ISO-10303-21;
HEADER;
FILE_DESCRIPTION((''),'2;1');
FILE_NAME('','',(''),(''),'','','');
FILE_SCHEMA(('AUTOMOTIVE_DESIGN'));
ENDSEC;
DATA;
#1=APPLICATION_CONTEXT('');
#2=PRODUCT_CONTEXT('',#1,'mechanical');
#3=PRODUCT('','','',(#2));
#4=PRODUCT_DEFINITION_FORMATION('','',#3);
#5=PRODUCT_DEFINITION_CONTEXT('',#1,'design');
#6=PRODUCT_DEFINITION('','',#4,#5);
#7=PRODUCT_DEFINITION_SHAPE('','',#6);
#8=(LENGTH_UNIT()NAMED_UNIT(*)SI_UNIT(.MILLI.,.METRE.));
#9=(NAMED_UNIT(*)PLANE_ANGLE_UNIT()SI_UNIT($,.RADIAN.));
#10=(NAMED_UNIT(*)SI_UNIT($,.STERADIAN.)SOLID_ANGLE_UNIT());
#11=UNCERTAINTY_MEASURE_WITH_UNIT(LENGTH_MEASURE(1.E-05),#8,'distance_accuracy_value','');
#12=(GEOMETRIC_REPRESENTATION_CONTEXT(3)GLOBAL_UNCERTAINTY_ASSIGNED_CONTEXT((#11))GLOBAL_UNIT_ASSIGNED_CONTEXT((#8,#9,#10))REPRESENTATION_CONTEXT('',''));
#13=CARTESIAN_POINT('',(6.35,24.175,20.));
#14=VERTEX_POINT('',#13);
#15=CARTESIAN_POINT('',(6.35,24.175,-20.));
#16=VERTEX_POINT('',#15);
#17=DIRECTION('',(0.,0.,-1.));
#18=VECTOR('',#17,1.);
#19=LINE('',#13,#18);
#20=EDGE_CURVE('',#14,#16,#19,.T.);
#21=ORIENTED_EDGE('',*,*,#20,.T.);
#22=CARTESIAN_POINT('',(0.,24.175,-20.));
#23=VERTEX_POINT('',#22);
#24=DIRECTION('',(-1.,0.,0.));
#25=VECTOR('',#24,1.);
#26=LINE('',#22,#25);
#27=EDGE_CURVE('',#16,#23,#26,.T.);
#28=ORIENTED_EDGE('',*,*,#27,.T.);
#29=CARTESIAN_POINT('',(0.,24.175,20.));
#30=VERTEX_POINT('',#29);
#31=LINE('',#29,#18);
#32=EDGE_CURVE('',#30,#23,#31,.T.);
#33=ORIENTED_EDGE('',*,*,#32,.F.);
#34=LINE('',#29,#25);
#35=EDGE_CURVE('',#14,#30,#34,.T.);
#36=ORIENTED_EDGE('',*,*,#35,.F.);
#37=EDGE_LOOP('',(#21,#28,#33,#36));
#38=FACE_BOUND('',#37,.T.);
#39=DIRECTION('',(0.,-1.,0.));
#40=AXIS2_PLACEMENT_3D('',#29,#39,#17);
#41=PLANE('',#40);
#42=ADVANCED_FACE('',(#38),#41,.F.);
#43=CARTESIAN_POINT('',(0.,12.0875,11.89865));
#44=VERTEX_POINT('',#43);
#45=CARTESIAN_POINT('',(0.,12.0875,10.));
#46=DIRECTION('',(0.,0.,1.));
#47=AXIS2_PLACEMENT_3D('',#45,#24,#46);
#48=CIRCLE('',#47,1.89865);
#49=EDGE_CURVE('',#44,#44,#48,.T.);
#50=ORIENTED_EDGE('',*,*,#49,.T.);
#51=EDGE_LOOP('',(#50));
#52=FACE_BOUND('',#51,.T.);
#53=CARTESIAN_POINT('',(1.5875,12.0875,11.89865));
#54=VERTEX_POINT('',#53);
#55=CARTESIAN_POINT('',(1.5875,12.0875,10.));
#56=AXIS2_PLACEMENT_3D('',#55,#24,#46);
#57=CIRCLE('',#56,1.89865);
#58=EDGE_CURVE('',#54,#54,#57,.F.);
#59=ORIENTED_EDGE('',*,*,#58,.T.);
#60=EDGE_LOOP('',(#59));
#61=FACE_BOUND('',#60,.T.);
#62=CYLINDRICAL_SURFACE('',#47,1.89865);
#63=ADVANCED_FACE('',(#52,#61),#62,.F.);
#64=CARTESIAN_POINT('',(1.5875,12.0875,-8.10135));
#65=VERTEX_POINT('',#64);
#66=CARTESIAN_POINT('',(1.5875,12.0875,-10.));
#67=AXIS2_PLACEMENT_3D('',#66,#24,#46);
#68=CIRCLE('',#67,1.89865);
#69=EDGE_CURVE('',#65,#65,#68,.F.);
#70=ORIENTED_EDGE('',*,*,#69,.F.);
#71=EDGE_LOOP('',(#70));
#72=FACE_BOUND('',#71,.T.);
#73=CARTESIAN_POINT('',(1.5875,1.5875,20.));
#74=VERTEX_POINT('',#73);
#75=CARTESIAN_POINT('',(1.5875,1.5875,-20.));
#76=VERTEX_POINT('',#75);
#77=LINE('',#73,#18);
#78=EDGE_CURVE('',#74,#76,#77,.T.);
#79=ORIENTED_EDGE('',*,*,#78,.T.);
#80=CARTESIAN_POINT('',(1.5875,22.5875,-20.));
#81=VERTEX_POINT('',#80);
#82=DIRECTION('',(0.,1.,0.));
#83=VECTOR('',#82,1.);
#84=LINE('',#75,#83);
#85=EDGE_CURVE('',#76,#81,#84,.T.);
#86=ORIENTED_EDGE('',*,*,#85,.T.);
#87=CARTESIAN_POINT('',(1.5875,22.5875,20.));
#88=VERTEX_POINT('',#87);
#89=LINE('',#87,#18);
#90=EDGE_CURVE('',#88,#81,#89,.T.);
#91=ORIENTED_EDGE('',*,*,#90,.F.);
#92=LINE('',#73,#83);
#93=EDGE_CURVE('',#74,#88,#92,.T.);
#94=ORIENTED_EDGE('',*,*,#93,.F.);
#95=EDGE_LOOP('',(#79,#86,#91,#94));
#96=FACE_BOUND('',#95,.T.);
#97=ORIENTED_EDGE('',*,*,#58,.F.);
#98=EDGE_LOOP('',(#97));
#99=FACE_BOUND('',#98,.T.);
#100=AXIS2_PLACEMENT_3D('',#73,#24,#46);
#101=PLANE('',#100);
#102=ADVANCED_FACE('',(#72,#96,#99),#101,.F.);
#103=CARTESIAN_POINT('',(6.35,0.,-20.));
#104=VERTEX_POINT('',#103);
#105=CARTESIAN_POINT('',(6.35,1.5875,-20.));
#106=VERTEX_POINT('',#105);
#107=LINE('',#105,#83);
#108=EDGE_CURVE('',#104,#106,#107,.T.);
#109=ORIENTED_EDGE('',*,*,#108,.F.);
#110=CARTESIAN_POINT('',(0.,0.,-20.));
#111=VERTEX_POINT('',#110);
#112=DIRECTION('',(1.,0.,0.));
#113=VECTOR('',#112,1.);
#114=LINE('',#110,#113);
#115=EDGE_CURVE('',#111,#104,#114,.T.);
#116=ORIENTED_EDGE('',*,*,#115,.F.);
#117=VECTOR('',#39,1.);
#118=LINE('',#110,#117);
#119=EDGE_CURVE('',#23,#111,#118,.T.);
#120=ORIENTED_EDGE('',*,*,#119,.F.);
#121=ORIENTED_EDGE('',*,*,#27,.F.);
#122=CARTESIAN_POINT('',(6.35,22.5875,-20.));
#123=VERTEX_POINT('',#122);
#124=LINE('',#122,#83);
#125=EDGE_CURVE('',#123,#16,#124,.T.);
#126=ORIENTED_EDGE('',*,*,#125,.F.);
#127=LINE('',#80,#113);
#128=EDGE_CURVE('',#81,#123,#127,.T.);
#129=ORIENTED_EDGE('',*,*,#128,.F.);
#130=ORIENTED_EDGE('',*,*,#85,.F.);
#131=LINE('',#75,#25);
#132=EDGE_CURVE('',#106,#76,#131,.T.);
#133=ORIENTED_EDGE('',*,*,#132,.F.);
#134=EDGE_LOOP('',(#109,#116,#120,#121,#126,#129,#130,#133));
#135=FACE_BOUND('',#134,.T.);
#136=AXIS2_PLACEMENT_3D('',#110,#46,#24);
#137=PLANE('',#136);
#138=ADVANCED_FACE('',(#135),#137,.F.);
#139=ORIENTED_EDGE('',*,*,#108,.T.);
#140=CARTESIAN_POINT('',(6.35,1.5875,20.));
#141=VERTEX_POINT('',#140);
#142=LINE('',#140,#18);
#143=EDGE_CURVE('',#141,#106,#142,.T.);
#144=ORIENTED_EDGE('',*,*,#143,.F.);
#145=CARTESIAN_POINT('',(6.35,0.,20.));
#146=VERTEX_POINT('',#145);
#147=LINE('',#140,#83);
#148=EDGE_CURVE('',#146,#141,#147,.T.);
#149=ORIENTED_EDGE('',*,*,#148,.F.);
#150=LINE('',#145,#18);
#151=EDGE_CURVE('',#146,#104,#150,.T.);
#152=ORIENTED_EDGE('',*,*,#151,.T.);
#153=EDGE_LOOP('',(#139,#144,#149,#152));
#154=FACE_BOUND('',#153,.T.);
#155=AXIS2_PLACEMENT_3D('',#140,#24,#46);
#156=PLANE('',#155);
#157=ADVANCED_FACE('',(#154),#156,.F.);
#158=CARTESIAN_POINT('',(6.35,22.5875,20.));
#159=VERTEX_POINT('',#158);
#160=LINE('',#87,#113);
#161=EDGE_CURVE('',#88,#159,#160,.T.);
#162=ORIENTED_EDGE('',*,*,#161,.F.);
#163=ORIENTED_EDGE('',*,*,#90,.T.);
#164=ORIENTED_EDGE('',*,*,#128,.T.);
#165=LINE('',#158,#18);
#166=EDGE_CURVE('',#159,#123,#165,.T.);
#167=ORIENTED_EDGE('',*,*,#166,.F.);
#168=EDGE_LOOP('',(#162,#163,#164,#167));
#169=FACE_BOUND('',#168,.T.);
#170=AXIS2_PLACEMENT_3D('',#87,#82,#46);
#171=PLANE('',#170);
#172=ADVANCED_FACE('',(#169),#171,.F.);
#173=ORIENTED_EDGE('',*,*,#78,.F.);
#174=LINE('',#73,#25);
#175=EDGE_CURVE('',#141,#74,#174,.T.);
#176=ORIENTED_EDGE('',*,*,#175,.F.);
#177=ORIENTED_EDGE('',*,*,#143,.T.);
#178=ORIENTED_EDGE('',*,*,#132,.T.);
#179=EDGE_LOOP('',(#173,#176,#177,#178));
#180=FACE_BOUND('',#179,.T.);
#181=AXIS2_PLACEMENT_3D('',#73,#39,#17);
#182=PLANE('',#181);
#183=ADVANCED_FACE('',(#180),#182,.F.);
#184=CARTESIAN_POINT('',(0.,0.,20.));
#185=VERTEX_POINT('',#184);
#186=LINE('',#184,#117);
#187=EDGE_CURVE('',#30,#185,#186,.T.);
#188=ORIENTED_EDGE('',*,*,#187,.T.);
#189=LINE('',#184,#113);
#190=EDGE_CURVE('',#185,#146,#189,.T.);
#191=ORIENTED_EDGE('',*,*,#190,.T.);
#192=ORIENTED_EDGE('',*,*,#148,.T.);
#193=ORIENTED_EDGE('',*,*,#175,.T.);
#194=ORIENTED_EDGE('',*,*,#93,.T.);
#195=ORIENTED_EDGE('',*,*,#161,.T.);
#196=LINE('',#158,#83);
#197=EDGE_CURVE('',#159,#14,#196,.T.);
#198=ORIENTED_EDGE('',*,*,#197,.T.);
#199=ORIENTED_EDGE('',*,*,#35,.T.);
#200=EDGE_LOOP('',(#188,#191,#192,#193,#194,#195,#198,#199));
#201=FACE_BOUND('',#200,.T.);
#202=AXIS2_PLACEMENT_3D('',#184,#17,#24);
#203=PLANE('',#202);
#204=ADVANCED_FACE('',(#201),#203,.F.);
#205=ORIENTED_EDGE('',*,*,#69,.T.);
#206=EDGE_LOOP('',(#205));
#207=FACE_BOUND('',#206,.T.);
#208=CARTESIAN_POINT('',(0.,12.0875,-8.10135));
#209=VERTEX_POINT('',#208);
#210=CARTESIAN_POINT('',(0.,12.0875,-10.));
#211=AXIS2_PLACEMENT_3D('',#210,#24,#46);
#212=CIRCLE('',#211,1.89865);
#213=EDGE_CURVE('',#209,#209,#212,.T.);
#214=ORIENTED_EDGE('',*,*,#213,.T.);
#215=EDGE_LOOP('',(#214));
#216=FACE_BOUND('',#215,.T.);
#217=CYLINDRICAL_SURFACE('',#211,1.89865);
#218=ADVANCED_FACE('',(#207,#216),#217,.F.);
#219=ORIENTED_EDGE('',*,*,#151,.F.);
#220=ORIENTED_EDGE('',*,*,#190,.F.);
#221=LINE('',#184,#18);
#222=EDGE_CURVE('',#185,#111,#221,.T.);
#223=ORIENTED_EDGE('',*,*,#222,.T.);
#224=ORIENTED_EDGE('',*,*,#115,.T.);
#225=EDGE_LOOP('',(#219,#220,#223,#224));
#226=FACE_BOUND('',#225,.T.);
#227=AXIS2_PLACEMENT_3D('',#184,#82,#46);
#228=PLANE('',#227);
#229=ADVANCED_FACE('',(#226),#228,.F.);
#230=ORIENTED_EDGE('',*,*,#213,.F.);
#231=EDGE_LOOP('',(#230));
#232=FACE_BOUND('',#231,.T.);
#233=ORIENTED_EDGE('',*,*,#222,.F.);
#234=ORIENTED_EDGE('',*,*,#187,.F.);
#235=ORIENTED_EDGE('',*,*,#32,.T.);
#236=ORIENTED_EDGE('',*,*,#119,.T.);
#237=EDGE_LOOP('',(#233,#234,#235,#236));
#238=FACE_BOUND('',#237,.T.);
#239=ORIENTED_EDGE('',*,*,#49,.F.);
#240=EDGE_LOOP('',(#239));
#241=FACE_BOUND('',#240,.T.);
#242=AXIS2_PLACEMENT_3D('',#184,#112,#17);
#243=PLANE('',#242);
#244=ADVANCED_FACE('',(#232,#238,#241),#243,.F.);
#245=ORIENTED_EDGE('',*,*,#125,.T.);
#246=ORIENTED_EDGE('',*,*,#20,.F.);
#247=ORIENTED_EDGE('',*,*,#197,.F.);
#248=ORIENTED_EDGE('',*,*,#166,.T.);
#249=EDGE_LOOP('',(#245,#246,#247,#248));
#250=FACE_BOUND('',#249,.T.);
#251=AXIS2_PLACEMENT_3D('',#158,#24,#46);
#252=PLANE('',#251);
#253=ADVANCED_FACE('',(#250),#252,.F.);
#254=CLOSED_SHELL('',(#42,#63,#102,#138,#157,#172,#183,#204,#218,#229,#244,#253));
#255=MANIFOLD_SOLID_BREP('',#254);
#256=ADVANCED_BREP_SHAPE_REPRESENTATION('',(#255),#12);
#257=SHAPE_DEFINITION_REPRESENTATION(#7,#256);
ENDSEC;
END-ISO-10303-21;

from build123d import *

# Parameters (mm, degrees)
BOSS_EXTRUDE1_DEPTH   = 20
F_6_CLEARANCE_HOLE1_D = 3.7973


with BuildPart() as part:
    # Sketch1 → Boss-Extrude1 (new body)
    with BuildSketch(Plane.XY):
        Polygon((0, 0), (6.35, 0), (6.35, 1.5875), (1.5875, 1.5875), (1.5875, 22.5875), (6.35, 22.5875), (6.35, 24.175), (0, 24.175), align=None)
    boss_extrude1 = extrude(amount=BOSS_EXTRUDE1_DEPTH)

    # #6 Clearance Hole1 (through all)
    with Locations(Plane.ZY):
        with Locations((10, 12.0875)):
            f_6_clearance_hole1 = Hole(F_6_CLEARANCE_HOLE1_D / 2)

    # Mirror1: Boss-Extrude1, #6 Clearance Hole1 across plane
    add(boss_extrude1.mirror(Plane(origin=(0, 0, 0), x_dir=(1, 0, 0), z_dir=(0, 0, -1))))
    add(f_6_clearance_hole1.mirror(Plane(origin=(0, 0, 0), x_dir=(1, 0, 0), z_dir=(0, 0, -1))), mode=Mode.SUBTRACT)


solid = part.part
